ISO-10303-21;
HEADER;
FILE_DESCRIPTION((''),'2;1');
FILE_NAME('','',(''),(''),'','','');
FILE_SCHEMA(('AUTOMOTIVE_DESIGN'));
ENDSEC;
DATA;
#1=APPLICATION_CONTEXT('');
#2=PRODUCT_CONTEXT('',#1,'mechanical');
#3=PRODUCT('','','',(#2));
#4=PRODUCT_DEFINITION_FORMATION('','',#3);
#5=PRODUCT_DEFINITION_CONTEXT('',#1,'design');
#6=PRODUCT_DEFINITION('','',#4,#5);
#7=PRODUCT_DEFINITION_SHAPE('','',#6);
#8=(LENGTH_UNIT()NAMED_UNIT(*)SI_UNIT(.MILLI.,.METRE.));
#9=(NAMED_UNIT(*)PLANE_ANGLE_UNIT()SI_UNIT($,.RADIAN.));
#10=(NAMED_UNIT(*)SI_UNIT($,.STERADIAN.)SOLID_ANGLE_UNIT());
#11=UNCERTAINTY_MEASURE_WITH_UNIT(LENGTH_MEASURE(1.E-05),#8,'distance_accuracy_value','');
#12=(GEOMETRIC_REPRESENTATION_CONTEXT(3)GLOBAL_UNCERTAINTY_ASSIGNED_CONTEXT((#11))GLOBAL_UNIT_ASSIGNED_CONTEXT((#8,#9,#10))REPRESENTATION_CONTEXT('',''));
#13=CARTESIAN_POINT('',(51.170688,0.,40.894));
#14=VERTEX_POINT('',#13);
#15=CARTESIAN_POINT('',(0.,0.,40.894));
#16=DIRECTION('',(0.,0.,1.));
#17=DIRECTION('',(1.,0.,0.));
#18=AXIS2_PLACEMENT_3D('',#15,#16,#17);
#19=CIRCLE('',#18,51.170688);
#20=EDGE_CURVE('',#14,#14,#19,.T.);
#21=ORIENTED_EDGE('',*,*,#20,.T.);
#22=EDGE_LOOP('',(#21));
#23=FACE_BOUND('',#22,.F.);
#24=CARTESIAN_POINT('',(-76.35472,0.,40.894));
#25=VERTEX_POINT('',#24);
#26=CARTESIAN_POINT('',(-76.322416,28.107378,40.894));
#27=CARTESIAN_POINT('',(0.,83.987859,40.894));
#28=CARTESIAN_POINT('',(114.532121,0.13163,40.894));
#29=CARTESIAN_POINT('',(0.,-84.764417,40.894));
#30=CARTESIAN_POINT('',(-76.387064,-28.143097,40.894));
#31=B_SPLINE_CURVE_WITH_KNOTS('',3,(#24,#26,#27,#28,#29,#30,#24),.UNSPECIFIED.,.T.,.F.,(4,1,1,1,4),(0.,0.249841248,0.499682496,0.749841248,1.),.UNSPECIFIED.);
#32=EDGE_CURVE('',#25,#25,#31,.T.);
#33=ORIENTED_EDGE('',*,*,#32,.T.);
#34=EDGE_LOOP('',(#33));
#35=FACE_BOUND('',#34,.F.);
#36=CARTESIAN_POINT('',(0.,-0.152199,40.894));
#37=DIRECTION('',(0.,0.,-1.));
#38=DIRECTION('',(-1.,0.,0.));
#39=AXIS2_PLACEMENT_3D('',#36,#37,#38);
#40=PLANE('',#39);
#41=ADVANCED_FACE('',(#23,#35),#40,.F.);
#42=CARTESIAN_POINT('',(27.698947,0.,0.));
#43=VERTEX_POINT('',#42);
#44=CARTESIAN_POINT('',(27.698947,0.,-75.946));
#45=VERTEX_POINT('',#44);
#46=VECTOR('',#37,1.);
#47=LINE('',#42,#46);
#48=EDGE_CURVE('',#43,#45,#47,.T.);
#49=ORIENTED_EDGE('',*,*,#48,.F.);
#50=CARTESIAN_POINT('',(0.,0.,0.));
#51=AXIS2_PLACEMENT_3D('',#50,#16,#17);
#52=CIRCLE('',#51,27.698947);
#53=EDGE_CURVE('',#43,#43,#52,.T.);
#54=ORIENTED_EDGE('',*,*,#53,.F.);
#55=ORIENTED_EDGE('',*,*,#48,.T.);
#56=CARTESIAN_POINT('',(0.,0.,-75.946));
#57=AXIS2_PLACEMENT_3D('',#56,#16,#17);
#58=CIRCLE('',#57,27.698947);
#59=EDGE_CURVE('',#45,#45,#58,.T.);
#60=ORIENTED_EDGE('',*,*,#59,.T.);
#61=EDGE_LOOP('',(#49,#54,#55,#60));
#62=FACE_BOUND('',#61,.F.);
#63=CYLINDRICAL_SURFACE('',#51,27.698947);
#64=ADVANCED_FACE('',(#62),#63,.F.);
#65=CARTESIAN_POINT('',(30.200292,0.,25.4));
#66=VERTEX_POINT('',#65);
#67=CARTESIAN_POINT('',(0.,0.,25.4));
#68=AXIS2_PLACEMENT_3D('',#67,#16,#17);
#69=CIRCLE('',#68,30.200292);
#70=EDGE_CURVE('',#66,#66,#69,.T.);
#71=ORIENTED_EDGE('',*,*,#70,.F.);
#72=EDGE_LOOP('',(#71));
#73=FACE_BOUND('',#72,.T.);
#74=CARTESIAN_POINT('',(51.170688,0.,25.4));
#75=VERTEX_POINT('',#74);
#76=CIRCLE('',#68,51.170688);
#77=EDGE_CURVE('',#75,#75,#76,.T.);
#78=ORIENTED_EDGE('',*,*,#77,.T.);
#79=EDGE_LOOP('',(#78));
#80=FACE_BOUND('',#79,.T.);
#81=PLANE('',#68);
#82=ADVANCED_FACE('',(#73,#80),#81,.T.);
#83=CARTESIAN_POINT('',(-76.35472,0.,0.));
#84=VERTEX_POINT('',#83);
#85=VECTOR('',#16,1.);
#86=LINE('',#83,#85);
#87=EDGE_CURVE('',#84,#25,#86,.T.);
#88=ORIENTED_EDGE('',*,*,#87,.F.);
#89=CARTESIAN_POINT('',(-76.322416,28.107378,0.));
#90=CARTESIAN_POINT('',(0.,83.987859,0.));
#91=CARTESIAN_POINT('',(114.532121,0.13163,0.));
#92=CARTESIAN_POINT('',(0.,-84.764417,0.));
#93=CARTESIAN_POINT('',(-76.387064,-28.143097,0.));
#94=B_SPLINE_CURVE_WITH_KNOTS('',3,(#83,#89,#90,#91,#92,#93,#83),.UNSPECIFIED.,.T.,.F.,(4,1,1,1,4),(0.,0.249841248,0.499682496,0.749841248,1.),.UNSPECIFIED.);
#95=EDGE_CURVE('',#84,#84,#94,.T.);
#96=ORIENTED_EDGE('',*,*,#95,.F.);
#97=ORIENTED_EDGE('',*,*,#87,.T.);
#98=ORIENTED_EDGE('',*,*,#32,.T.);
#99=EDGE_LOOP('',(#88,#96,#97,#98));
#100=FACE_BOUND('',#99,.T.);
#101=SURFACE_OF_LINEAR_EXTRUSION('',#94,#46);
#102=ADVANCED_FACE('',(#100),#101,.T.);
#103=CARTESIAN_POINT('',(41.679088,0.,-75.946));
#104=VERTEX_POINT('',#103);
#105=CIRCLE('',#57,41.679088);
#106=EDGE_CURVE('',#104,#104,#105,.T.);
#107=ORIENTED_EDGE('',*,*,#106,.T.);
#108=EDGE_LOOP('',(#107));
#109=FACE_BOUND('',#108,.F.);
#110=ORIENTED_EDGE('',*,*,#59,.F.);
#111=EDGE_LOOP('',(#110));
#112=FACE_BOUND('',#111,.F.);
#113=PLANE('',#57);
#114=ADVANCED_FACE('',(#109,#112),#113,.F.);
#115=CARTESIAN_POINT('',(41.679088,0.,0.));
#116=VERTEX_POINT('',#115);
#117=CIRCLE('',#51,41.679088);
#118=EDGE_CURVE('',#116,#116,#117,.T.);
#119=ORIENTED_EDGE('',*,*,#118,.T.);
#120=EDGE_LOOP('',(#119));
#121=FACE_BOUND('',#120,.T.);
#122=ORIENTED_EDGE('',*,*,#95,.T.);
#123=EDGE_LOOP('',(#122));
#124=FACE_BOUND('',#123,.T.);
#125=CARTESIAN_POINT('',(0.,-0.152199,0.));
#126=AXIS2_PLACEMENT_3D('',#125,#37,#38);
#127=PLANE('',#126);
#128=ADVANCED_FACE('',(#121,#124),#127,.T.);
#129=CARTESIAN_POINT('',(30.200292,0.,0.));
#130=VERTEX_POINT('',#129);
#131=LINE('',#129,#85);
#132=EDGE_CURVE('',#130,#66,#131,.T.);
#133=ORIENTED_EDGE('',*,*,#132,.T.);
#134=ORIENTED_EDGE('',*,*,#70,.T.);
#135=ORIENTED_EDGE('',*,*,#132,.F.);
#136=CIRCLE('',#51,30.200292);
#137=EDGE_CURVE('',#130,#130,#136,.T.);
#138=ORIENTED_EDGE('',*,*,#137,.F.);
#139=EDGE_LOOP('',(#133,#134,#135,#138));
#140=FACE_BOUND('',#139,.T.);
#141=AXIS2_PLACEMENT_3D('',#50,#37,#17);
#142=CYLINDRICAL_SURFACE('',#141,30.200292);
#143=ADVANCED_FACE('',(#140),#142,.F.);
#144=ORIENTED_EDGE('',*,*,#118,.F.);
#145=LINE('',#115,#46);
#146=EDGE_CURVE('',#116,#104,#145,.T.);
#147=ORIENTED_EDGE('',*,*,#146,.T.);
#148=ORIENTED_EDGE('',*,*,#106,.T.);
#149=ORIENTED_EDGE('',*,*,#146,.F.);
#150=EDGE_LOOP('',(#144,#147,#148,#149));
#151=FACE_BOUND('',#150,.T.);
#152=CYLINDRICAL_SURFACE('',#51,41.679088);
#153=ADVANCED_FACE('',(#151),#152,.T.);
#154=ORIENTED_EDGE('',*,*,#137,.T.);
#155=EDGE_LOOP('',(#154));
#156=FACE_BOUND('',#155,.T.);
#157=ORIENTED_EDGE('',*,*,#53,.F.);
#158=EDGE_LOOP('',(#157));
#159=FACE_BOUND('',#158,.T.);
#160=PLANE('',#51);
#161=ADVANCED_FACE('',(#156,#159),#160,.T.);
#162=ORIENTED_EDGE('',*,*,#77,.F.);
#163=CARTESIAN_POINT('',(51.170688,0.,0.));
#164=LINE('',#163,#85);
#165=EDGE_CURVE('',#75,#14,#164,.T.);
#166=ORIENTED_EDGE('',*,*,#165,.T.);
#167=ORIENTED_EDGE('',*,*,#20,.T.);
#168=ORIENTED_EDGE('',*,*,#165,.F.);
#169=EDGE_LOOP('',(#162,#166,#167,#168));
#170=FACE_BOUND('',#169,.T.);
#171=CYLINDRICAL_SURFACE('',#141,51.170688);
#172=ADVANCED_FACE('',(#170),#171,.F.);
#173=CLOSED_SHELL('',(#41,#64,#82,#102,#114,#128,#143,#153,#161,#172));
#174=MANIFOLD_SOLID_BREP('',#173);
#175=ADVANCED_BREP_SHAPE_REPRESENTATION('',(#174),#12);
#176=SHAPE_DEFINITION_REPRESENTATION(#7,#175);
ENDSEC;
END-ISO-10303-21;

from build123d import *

# Parameters (mm, degrees)
F0_R     = 51.1706883449
F0_R_2   = 30.2002923657
F1_DEPTH = 25.4
F2_DEPTH = 40.894
F3_R     = 41.6790875825
F3_R_2   = 27.6989466926
F4_DEPTH = 75.946


with BuildPart() as f1:
    # F0 (on Top) → F1 (new body)
    with BuildSketch(Plane.XY):
        Circle(F0_R)
        Circle(F0_R_2, mode=Mode.SUBTRACT)
    extrude(amount=F1_DEPTH)

    # F0 (on Top) → F2 (join)
    with BuildSketch(Plane.XY):
        with BuildLine():
            add(Edge.make_bspline(
                [(-76.3547196984, 0), (-76.3224163005, 28.1073778219), (0, 83.9878589563), (114.5321205996, 0.1316301487), (0, -84.7644166463), (-76.3870641482, -28.1430973298), (-76.3547196984, 0)],
                knots=[0, 0, 0, 0, 0.249841248, 0.4996824959, 0.749841248, 1, 1, 1, 1], degree=3))
        make_face()
        Circle(F0_R, mode=Mode.SUBTRACT)
    extrude(amount=F2_DEPTH)

    # F3 (on Top) → F4 (join)
    with BuildSketch(Plane.XY):
        Circle(F3_R)
        Circle(F3_R_2, mode=Mode.SUBTRACT)
    extrude(amount=-F4_DEPTH)


solid = f1.part
